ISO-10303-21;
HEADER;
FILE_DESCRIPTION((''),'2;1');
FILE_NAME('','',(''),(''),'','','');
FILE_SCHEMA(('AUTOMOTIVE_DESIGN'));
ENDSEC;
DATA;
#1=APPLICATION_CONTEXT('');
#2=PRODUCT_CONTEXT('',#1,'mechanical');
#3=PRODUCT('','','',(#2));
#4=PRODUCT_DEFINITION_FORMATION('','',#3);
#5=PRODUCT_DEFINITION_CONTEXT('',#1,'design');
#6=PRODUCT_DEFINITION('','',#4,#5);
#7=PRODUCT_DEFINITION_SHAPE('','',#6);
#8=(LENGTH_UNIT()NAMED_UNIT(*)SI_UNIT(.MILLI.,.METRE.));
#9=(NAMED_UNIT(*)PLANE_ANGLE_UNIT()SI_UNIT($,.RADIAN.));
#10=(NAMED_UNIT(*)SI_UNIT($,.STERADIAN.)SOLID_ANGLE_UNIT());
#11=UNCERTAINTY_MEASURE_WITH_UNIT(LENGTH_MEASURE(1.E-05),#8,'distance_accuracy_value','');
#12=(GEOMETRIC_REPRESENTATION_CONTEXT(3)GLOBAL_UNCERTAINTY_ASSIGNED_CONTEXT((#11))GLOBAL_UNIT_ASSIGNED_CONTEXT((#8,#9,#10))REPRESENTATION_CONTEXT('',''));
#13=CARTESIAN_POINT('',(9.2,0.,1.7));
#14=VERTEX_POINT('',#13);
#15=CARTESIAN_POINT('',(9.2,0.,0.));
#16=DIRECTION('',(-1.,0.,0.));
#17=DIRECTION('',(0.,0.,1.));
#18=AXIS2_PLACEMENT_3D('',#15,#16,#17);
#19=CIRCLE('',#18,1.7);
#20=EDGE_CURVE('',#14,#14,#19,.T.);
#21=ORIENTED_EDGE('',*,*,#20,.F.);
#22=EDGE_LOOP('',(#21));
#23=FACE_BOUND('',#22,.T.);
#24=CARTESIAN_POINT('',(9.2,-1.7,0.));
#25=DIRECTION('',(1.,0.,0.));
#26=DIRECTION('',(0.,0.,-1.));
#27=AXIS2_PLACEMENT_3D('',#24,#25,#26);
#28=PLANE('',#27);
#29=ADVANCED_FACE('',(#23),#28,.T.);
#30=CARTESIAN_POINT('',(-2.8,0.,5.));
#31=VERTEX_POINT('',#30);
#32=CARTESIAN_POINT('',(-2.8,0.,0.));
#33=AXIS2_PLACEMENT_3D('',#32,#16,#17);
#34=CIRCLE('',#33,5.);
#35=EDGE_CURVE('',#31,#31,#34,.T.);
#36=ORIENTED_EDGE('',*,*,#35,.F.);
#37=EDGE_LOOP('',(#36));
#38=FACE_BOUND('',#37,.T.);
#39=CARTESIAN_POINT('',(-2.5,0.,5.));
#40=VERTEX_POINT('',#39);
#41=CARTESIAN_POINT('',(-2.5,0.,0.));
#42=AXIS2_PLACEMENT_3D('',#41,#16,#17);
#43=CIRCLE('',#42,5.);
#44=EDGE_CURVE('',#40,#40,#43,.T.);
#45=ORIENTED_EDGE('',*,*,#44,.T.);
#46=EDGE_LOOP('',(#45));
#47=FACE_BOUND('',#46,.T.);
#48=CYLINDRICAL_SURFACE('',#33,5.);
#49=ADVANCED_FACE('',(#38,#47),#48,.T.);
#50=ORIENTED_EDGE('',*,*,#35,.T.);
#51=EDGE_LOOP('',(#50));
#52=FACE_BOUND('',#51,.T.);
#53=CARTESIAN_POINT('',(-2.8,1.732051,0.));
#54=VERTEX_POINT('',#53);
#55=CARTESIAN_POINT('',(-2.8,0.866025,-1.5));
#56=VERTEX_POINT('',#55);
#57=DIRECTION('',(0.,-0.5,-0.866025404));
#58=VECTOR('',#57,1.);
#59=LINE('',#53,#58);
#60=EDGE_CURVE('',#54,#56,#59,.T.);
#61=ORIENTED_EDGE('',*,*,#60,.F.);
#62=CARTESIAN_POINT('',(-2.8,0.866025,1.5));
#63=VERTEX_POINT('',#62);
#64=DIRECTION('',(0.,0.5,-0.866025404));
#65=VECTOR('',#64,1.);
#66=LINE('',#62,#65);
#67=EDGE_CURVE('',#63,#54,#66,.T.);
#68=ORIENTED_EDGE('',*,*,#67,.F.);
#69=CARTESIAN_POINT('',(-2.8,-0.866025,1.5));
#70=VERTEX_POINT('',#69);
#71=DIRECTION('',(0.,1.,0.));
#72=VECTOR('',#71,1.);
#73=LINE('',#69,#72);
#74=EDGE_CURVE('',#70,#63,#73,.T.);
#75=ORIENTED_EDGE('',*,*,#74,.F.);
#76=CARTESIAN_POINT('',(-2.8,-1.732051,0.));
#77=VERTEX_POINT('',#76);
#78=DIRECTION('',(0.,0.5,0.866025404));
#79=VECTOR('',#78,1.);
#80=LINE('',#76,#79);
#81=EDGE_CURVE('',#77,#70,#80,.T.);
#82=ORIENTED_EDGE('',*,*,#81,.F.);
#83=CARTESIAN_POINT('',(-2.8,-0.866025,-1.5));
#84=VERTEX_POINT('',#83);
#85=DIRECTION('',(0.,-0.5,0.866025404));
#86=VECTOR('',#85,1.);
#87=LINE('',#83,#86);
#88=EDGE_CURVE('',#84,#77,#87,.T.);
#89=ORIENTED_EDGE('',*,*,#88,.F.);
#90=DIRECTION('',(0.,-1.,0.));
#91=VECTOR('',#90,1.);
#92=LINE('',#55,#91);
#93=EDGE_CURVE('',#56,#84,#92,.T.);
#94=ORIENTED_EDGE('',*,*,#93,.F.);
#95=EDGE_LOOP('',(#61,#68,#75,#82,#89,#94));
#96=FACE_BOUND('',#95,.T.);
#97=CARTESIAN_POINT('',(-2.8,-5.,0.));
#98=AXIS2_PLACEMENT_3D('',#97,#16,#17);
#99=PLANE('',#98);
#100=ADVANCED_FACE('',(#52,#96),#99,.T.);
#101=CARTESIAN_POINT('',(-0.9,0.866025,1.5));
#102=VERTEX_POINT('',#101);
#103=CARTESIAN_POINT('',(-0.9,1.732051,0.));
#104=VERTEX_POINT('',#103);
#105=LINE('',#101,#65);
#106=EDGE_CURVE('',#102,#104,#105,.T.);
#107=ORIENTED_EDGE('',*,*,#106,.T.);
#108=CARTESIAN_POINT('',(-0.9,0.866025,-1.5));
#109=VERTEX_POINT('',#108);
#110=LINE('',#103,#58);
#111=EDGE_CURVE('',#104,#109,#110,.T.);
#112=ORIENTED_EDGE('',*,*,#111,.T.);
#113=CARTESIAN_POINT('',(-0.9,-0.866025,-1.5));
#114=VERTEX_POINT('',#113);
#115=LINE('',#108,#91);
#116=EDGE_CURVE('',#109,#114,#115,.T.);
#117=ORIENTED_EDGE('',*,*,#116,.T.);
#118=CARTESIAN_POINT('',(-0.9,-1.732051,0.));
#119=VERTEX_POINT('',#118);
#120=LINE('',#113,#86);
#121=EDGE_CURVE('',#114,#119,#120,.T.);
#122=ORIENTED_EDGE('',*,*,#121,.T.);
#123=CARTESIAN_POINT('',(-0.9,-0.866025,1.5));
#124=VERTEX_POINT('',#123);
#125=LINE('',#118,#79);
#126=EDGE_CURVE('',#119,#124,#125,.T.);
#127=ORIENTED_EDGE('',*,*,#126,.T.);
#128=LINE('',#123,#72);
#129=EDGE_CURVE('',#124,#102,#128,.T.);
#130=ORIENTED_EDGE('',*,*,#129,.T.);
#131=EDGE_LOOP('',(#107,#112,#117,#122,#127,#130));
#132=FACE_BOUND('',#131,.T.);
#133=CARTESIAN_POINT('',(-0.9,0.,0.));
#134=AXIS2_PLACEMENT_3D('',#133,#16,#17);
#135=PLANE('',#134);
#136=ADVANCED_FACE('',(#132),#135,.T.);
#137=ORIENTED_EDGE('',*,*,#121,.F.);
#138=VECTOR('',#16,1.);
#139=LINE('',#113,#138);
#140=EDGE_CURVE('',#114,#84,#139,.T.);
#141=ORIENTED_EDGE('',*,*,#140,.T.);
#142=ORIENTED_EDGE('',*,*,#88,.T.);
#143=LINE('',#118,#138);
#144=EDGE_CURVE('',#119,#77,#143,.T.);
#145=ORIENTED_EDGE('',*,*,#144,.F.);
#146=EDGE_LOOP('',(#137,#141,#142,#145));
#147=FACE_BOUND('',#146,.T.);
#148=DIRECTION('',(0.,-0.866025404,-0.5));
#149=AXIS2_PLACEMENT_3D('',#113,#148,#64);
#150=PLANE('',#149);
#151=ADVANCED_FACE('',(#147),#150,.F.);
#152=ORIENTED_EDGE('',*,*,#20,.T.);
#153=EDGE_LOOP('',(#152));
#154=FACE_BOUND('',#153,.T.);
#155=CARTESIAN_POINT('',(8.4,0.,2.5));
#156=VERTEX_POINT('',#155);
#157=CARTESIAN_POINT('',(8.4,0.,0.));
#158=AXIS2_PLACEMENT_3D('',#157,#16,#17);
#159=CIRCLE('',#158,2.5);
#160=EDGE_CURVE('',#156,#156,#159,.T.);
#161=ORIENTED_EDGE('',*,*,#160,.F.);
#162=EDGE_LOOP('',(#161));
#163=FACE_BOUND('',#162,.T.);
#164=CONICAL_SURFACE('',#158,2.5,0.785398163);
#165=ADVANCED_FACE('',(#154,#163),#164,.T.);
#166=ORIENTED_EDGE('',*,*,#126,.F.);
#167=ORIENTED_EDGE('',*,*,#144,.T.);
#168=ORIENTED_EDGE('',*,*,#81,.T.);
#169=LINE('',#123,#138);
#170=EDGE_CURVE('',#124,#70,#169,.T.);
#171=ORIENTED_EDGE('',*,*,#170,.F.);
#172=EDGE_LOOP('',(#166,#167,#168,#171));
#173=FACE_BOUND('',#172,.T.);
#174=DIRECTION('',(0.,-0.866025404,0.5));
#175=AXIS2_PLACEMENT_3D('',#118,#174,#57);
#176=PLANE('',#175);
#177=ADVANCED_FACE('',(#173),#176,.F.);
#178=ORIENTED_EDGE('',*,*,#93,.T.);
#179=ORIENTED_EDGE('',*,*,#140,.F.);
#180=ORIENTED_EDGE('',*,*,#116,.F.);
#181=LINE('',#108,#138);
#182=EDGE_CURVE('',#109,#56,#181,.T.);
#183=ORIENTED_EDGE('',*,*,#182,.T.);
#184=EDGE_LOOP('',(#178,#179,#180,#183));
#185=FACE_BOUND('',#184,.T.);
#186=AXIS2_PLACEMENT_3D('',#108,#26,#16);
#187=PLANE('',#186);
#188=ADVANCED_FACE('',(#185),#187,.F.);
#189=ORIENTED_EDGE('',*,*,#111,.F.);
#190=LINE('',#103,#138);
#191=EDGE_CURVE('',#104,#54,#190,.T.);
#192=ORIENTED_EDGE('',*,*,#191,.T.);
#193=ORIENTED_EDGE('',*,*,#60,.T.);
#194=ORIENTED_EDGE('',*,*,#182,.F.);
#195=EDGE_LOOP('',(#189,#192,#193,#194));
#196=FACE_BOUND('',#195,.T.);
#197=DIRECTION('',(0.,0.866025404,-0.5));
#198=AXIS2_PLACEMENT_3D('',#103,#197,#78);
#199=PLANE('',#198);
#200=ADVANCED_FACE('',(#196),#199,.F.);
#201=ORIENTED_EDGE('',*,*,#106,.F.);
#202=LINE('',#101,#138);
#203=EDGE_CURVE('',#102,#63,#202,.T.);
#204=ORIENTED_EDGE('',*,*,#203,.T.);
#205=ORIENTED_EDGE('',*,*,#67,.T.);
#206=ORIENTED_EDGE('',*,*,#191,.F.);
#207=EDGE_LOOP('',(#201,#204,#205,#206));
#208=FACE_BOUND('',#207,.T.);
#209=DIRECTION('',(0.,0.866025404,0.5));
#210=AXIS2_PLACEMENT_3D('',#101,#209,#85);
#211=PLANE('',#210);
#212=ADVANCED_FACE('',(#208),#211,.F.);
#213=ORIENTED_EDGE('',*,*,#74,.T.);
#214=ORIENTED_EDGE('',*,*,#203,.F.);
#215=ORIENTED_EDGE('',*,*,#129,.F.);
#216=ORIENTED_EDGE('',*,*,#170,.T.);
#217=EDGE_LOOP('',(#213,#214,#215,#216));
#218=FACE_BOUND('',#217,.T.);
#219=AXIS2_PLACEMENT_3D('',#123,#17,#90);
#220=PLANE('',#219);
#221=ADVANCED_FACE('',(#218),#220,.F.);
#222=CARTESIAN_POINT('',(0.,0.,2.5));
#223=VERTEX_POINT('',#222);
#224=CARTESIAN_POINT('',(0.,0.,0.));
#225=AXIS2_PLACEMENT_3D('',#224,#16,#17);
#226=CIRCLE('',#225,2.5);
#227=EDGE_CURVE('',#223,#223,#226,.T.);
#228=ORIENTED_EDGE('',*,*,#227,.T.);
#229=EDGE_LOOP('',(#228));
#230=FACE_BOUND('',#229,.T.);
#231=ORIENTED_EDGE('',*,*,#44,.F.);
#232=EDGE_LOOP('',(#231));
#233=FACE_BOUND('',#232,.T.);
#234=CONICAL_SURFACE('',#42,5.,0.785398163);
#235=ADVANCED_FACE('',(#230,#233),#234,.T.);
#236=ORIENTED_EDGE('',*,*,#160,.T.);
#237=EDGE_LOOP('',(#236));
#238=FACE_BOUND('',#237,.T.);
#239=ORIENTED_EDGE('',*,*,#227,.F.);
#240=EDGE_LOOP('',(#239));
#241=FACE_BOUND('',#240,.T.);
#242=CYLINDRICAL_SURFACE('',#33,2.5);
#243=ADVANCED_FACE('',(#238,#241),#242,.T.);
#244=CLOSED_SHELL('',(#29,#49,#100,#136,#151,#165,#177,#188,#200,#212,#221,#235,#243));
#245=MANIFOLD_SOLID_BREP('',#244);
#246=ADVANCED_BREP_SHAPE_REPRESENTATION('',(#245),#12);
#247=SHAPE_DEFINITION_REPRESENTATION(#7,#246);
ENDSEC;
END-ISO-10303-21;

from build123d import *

# Parameters (mm, degrees)
CUT_EXTRUDE1_DEPTH = 1.9


with BuildPart() as part:
    # Sketch1 → Revolve1 (revolve)
    with BuildSketch(Plane.XY):
        Polygon((0, -2.5), (8.4, -2.5), (9.2, -1.7), (9.2, 0), (-2.8, 0), (-2.8, -5), (-2.5, -5), align=None)
    revolve(axis=Axis((-2.8, 0, 0), (1, 0, 0)))

    # Sketch2 → Cut-Extrude1 (cut)
    with BuildSketch(Plane.ZY.offset(2.8)):
        Polygon((0, 1.732050808), (-1.5, 0.866025404), (-1.5, -0.866025404), (0, -1.732050808), (1.5, -0.866025404), (1.5, 0.866025404), align=None)
    extrude(amount=-CUT_EXTRUDE1_DEPTH, mode=Mode.SUBTRACT)


solid = part.part
